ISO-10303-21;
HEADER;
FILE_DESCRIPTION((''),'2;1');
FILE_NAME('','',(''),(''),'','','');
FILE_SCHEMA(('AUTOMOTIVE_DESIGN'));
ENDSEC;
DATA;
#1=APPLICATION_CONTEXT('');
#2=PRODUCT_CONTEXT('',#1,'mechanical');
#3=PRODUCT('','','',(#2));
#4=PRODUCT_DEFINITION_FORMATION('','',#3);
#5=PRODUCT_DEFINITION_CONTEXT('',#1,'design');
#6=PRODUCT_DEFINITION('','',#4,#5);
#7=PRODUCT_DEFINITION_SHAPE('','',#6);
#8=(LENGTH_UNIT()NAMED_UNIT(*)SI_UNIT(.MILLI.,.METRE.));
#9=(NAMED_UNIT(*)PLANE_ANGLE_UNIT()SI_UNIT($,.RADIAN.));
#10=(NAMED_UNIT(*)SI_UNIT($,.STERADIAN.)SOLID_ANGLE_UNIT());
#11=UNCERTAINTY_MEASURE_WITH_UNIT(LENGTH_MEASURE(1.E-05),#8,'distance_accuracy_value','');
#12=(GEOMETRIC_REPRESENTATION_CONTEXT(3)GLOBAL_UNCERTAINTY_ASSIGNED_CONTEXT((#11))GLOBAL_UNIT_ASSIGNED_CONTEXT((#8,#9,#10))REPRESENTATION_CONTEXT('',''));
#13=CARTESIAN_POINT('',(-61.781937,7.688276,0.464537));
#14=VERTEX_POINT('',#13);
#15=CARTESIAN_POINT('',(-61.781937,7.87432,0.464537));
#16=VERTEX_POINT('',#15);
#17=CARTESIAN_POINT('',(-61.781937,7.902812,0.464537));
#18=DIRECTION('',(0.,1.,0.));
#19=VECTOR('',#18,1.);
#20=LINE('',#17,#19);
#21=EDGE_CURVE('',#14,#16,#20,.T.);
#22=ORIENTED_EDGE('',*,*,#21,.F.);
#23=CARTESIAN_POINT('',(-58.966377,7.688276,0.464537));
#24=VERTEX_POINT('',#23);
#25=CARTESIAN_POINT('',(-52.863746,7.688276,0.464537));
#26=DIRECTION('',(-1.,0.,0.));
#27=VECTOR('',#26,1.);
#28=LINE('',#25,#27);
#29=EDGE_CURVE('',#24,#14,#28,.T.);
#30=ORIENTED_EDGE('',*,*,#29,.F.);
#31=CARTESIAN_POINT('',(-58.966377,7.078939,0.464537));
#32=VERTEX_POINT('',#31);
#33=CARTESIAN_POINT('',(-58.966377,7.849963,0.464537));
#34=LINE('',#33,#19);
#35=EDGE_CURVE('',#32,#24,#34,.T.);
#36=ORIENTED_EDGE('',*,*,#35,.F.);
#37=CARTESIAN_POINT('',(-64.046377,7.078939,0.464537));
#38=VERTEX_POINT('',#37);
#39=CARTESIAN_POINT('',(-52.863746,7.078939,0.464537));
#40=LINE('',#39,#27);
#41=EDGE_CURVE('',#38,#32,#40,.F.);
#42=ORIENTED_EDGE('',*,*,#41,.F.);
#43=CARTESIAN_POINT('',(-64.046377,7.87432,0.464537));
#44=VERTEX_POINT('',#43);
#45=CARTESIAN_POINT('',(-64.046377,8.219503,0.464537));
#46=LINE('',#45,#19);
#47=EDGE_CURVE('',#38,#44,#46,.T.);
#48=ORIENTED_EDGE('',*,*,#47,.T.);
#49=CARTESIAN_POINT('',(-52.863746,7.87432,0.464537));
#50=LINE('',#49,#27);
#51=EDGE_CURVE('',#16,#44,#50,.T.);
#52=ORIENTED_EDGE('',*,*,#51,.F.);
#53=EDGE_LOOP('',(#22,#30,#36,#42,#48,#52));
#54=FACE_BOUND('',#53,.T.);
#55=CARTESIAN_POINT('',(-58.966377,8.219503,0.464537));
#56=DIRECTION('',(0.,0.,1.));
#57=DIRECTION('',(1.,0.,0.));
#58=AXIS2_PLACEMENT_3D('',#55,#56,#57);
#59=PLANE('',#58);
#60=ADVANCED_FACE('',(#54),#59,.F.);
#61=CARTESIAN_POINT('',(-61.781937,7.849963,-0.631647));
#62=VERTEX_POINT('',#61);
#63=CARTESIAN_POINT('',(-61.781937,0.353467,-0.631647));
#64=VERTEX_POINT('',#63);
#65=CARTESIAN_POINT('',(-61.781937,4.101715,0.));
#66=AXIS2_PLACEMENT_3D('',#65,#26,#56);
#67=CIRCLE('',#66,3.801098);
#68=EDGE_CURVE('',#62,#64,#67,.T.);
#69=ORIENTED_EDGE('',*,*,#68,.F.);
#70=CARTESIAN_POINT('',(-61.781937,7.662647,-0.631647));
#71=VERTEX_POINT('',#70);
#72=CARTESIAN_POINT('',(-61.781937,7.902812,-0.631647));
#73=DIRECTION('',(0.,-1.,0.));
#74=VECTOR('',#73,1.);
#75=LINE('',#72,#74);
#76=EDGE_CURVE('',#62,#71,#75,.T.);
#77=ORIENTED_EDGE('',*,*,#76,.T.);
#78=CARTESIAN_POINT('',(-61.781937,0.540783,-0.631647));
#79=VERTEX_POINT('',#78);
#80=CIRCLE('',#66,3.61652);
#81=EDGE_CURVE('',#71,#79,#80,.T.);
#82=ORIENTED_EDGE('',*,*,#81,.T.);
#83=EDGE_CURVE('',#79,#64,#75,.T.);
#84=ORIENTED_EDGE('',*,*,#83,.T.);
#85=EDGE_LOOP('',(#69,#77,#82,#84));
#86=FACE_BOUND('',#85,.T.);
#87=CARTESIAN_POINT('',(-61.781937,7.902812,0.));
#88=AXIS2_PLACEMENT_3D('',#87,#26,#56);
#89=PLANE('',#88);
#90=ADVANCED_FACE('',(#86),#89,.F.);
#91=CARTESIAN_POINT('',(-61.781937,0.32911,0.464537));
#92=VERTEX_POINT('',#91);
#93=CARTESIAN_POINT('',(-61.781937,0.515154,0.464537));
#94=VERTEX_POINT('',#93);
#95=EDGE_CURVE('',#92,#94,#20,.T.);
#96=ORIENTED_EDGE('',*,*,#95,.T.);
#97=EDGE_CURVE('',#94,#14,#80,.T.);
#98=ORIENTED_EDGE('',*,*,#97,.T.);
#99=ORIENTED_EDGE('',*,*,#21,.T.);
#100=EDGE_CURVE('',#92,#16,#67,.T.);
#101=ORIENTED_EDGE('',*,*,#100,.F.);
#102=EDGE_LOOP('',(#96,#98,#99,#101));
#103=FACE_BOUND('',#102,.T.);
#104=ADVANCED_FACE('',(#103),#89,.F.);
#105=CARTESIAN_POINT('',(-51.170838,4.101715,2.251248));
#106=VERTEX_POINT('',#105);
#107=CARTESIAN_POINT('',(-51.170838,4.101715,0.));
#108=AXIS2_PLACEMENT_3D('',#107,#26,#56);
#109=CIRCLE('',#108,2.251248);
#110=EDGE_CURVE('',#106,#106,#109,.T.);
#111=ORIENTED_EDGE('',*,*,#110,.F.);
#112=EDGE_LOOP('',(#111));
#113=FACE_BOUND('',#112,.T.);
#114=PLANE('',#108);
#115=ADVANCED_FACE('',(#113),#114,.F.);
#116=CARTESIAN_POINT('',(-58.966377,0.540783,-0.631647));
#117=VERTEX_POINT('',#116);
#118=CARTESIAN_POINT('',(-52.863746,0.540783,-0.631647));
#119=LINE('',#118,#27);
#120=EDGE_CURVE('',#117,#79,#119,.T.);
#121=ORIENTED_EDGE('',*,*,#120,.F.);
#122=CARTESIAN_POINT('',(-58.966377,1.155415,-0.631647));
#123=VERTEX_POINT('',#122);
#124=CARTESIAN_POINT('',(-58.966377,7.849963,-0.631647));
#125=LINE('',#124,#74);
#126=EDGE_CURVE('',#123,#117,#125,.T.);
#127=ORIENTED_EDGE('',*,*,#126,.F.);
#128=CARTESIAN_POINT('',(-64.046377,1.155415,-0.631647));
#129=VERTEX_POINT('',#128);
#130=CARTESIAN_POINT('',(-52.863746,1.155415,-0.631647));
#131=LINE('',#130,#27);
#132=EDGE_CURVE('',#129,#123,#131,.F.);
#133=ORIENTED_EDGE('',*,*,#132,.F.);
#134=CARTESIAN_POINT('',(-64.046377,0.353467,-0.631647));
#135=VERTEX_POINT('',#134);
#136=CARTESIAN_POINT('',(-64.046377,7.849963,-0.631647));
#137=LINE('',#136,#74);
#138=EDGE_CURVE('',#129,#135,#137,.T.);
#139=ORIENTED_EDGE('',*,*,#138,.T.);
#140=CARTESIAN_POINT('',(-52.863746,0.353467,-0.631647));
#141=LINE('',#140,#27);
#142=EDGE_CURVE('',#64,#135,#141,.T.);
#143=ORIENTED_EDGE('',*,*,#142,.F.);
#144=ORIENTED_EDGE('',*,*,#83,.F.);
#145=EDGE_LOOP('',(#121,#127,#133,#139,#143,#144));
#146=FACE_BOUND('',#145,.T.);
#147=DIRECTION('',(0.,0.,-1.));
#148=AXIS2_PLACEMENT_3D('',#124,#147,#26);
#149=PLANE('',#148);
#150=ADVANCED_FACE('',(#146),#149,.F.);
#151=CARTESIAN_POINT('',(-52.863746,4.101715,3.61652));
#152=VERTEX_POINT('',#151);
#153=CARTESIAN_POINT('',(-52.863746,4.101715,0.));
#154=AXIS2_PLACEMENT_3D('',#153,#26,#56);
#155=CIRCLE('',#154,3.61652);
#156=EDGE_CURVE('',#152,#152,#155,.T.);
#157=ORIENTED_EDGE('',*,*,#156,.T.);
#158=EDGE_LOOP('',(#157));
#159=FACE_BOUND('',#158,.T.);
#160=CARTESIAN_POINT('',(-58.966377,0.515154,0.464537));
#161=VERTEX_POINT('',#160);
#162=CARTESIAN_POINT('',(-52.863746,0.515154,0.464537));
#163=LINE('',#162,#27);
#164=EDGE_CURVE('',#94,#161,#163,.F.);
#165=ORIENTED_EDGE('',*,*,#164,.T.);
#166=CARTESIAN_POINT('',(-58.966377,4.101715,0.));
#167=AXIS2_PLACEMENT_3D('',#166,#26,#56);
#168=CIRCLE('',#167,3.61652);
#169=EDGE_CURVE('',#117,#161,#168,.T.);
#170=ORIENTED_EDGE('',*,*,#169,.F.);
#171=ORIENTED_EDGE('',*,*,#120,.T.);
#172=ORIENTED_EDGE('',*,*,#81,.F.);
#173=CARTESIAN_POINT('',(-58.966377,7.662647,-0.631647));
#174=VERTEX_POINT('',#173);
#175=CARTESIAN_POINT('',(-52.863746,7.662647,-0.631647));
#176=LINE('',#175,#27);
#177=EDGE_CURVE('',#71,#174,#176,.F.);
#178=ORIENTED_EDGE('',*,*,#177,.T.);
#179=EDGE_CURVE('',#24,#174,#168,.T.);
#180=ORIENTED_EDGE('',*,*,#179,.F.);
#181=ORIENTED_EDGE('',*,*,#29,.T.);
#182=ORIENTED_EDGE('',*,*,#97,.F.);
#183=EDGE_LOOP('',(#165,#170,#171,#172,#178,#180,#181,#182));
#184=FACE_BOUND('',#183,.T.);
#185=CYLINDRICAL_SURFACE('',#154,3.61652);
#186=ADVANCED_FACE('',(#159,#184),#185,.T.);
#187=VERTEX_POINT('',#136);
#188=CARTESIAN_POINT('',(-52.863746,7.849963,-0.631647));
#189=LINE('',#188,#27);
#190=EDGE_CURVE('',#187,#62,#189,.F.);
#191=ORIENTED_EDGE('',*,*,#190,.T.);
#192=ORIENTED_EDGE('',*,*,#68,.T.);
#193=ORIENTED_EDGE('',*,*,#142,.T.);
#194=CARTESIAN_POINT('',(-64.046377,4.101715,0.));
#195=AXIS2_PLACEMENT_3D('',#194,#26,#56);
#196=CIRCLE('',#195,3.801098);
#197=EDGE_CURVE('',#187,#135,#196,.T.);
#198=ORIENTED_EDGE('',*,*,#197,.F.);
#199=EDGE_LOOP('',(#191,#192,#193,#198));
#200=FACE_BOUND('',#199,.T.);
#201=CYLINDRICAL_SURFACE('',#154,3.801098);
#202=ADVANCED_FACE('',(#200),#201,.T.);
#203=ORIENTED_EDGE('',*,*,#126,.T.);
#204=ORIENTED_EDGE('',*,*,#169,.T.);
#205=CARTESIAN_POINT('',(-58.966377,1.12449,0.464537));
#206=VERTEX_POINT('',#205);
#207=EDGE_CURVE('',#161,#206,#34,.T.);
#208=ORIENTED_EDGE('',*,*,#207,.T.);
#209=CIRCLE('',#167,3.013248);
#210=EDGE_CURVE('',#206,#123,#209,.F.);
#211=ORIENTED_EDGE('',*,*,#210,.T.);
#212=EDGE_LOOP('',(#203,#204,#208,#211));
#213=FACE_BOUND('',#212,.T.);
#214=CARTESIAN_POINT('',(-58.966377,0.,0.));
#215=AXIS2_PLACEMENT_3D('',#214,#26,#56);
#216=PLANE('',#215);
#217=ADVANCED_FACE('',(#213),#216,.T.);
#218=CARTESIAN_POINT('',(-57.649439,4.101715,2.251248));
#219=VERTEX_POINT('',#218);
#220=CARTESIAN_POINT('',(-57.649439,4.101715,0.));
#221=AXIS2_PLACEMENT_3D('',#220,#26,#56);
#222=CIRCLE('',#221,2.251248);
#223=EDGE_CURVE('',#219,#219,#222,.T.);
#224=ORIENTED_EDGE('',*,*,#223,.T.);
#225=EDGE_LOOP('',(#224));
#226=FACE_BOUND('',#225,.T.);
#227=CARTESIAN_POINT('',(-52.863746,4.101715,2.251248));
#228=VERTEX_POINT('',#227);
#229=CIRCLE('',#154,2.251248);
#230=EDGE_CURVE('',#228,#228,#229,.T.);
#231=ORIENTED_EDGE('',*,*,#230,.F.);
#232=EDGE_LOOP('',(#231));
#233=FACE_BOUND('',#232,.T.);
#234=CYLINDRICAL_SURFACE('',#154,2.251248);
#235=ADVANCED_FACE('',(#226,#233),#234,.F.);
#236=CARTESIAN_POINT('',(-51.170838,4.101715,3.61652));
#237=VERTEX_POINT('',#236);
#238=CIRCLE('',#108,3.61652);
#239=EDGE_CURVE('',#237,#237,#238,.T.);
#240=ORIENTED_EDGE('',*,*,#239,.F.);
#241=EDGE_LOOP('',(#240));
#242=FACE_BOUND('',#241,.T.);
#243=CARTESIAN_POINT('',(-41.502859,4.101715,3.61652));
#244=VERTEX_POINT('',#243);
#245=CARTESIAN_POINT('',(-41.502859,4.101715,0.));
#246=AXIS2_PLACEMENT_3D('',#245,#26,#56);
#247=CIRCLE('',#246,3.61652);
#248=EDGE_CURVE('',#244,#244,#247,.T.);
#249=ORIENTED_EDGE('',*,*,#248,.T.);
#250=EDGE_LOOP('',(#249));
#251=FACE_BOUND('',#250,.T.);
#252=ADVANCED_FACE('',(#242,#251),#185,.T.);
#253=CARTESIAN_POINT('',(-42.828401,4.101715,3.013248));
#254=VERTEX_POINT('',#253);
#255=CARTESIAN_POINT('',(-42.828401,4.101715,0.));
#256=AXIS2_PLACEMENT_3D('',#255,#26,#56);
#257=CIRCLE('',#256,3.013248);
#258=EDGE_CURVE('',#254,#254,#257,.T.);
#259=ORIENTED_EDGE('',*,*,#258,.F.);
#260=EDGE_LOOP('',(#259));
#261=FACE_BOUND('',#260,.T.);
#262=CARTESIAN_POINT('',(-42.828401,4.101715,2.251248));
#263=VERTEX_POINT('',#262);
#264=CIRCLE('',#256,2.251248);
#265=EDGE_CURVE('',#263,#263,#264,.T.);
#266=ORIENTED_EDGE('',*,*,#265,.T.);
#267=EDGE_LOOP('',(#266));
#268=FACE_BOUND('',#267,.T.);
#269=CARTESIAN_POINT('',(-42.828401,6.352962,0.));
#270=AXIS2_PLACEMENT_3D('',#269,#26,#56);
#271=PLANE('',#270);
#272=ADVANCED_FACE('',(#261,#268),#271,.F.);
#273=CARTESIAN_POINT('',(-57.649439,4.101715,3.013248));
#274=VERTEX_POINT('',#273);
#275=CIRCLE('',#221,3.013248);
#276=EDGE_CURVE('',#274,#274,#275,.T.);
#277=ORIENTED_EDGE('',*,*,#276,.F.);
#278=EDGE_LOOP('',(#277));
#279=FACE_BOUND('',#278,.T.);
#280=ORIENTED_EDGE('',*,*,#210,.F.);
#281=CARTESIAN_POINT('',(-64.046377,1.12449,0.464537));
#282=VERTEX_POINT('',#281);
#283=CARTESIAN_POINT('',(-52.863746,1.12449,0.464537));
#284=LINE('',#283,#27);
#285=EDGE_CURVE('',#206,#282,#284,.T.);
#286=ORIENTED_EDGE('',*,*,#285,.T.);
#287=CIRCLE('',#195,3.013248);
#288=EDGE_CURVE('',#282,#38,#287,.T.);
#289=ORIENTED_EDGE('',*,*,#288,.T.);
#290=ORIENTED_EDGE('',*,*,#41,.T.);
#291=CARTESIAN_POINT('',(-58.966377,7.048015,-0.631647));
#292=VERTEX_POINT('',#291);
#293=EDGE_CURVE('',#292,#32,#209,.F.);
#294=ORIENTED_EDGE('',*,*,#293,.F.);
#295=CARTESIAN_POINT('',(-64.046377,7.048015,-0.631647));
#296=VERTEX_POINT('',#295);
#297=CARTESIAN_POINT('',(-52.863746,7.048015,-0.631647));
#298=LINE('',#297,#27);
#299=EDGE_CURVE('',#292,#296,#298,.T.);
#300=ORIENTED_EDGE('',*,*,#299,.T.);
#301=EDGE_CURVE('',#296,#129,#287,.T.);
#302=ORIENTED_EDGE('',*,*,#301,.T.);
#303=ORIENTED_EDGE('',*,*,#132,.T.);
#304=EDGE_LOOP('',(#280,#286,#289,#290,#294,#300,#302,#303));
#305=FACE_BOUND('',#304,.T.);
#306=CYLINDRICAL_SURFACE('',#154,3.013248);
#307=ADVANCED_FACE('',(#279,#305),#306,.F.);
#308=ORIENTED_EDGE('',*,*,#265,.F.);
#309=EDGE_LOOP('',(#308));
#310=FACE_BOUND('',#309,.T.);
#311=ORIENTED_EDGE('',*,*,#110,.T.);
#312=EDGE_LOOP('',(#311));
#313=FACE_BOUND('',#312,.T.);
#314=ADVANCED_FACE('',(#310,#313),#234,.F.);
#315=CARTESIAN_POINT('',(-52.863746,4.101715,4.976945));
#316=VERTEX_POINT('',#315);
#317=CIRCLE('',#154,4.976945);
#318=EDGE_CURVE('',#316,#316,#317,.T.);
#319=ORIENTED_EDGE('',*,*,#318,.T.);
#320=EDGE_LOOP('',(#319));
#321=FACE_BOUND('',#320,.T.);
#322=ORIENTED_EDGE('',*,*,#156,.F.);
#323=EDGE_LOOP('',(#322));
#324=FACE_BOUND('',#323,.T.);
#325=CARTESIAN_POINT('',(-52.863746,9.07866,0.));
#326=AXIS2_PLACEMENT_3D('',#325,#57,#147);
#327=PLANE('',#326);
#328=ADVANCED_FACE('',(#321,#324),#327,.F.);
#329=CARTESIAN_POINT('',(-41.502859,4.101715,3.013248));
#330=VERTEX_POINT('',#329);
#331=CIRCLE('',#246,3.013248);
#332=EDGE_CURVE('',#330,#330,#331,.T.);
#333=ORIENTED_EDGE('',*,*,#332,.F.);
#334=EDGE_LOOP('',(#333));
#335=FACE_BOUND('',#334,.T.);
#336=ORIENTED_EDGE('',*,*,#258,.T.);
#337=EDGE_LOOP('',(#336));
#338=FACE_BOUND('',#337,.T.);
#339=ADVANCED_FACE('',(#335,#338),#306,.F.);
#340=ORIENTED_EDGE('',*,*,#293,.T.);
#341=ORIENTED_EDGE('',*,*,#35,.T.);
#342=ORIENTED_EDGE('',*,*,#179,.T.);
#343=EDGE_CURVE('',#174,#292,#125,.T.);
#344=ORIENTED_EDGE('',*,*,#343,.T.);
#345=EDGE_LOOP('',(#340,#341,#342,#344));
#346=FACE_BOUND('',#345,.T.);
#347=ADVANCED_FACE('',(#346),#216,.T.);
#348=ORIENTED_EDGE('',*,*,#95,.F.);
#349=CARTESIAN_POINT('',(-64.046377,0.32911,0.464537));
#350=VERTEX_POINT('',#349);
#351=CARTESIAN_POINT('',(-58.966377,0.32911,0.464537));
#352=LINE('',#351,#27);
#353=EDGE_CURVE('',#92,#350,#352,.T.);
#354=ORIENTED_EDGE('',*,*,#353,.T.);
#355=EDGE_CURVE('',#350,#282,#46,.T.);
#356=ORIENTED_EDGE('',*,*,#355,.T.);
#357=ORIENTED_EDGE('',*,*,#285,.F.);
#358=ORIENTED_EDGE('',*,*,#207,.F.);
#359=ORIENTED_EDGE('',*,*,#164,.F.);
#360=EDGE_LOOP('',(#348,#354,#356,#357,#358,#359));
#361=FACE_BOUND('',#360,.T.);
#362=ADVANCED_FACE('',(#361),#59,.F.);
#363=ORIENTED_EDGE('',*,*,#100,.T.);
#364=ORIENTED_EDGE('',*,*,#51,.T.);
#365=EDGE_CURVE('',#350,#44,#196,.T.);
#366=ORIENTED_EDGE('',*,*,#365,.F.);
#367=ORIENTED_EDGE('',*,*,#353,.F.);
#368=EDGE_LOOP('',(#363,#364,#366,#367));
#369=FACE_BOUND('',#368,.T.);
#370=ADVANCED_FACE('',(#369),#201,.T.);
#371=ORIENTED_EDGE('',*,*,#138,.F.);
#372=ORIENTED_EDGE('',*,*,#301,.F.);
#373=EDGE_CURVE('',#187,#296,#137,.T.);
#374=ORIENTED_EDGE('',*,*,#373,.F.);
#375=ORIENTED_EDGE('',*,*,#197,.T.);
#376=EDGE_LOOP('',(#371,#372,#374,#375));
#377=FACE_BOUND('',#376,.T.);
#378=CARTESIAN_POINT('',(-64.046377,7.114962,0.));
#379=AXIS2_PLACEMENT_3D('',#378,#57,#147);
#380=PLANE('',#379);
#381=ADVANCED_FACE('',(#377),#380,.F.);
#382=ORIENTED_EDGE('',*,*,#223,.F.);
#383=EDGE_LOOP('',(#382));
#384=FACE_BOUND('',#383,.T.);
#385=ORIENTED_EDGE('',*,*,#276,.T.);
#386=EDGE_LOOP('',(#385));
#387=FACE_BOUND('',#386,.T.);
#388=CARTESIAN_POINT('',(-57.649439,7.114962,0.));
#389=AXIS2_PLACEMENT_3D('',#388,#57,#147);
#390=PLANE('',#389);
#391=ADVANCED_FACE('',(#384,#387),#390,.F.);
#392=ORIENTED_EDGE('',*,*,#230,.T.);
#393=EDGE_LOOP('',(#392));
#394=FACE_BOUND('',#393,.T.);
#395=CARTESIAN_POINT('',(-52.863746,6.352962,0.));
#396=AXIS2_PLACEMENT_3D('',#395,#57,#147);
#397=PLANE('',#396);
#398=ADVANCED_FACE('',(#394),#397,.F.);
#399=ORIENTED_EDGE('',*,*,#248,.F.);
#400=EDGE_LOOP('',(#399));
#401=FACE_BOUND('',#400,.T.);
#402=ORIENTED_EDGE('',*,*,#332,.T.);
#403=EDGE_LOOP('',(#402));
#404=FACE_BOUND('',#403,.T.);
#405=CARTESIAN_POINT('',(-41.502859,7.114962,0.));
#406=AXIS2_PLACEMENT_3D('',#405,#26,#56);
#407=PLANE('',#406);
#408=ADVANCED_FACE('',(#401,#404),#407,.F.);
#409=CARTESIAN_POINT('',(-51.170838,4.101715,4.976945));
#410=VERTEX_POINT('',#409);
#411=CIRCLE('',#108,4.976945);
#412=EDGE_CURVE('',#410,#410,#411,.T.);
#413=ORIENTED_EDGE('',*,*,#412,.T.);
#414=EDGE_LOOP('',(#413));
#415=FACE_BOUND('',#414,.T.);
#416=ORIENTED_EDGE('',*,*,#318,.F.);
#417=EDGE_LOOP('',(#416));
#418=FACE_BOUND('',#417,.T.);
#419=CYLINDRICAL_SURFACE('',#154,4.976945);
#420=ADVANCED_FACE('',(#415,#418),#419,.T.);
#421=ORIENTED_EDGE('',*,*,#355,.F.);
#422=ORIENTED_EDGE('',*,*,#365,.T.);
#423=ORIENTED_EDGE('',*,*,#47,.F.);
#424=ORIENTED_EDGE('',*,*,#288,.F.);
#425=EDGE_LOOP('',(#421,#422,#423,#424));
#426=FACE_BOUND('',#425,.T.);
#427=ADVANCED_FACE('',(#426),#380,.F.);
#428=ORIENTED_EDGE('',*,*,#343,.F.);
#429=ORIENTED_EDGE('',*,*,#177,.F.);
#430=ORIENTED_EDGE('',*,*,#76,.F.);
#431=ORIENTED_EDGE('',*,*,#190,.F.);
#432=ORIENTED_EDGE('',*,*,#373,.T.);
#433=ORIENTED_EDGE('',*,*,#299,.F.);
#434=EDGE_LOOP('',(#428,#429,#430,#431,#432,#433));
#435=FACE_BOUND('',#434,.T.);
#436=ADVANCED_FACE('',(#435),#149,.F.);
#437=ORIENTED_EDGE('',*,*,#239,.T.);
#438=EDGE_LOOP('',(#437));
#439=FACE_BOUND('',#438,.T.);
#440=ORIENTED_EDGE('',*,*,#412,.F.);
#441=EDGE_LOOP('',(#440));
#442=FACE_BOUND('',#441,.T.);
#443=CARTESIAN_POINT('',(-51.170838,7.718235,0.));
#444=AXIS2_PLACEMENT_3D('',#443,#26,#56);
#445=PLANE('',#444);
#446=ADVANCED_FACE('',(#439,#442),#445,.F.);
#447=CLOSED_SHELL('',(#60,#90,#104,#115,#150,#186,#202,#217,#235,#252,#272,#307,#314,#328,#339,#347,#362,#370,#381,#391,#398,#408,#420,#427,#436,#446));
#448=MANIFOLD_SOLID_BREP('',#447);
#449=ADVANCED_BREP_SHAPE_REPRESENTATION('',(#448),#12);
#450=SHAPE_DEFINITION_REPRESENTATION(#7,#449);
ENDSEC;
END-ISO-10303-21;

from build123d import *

# Parameters (mm, degrees)
CUT_EXTRUDE1_DEPTH = 5.08


with BuildPart() as part:
    # Sketch1 → Revolve3 (revolve)
    with BuildSketch(Plane.XY):
        Polygon((-64.046377149, 7.114962412), (-57.649439031, 7.114962412), (-57.649439031, 6.352962412), (-52.863745559, 6.352962412), (-52.863745559, 4.101714874), (-51.170838104, 4.101714874), (-51.170838104, 6.352962412), (-42.828401085, 6.352962412), (-42.828401085, 7.114962412), (-41.502858565, 7.114962412), (-41.502858565, 7.718234779), (-51.170838104, 7.718234779), (-51.170838104, 9.078659997), (-52.863745559, 9.078659997), (-52.863745559, 7.718234779), (-54.862931861, 7.718234779), (-55.961416497, 7.718234779), (-58.85700077, 7.718234779), (-59.483688957, 7.718234779), (-61.781937161, 7.718234779), (-61.781937161, 7.902812446), (-64.046377149, 7.902812446), align=None)
    revolve(axis=Axis((-52.863745559, 4.101714874, 0), (1, 0, 0)))

    # Sketch4 → Cut-Extrude1 (cut)
    with BuildSketch(Plane.ZY.offset(64.046377149)):
        Polygon((-0.631646969, 7.849963113), (-0.631646969, 8.219502832), (0.464537278, 8.219502832), (0.464537278, 7.849963113), (0.464537278, 0.329109955), (-0.370144054, 0), (-0.631646969, 0.329109955), align=None)
    extrude(amount=-CUT_EXTRUDE1_DEPTH, mode=Mode.SUBTRACT)


solid = part.part
